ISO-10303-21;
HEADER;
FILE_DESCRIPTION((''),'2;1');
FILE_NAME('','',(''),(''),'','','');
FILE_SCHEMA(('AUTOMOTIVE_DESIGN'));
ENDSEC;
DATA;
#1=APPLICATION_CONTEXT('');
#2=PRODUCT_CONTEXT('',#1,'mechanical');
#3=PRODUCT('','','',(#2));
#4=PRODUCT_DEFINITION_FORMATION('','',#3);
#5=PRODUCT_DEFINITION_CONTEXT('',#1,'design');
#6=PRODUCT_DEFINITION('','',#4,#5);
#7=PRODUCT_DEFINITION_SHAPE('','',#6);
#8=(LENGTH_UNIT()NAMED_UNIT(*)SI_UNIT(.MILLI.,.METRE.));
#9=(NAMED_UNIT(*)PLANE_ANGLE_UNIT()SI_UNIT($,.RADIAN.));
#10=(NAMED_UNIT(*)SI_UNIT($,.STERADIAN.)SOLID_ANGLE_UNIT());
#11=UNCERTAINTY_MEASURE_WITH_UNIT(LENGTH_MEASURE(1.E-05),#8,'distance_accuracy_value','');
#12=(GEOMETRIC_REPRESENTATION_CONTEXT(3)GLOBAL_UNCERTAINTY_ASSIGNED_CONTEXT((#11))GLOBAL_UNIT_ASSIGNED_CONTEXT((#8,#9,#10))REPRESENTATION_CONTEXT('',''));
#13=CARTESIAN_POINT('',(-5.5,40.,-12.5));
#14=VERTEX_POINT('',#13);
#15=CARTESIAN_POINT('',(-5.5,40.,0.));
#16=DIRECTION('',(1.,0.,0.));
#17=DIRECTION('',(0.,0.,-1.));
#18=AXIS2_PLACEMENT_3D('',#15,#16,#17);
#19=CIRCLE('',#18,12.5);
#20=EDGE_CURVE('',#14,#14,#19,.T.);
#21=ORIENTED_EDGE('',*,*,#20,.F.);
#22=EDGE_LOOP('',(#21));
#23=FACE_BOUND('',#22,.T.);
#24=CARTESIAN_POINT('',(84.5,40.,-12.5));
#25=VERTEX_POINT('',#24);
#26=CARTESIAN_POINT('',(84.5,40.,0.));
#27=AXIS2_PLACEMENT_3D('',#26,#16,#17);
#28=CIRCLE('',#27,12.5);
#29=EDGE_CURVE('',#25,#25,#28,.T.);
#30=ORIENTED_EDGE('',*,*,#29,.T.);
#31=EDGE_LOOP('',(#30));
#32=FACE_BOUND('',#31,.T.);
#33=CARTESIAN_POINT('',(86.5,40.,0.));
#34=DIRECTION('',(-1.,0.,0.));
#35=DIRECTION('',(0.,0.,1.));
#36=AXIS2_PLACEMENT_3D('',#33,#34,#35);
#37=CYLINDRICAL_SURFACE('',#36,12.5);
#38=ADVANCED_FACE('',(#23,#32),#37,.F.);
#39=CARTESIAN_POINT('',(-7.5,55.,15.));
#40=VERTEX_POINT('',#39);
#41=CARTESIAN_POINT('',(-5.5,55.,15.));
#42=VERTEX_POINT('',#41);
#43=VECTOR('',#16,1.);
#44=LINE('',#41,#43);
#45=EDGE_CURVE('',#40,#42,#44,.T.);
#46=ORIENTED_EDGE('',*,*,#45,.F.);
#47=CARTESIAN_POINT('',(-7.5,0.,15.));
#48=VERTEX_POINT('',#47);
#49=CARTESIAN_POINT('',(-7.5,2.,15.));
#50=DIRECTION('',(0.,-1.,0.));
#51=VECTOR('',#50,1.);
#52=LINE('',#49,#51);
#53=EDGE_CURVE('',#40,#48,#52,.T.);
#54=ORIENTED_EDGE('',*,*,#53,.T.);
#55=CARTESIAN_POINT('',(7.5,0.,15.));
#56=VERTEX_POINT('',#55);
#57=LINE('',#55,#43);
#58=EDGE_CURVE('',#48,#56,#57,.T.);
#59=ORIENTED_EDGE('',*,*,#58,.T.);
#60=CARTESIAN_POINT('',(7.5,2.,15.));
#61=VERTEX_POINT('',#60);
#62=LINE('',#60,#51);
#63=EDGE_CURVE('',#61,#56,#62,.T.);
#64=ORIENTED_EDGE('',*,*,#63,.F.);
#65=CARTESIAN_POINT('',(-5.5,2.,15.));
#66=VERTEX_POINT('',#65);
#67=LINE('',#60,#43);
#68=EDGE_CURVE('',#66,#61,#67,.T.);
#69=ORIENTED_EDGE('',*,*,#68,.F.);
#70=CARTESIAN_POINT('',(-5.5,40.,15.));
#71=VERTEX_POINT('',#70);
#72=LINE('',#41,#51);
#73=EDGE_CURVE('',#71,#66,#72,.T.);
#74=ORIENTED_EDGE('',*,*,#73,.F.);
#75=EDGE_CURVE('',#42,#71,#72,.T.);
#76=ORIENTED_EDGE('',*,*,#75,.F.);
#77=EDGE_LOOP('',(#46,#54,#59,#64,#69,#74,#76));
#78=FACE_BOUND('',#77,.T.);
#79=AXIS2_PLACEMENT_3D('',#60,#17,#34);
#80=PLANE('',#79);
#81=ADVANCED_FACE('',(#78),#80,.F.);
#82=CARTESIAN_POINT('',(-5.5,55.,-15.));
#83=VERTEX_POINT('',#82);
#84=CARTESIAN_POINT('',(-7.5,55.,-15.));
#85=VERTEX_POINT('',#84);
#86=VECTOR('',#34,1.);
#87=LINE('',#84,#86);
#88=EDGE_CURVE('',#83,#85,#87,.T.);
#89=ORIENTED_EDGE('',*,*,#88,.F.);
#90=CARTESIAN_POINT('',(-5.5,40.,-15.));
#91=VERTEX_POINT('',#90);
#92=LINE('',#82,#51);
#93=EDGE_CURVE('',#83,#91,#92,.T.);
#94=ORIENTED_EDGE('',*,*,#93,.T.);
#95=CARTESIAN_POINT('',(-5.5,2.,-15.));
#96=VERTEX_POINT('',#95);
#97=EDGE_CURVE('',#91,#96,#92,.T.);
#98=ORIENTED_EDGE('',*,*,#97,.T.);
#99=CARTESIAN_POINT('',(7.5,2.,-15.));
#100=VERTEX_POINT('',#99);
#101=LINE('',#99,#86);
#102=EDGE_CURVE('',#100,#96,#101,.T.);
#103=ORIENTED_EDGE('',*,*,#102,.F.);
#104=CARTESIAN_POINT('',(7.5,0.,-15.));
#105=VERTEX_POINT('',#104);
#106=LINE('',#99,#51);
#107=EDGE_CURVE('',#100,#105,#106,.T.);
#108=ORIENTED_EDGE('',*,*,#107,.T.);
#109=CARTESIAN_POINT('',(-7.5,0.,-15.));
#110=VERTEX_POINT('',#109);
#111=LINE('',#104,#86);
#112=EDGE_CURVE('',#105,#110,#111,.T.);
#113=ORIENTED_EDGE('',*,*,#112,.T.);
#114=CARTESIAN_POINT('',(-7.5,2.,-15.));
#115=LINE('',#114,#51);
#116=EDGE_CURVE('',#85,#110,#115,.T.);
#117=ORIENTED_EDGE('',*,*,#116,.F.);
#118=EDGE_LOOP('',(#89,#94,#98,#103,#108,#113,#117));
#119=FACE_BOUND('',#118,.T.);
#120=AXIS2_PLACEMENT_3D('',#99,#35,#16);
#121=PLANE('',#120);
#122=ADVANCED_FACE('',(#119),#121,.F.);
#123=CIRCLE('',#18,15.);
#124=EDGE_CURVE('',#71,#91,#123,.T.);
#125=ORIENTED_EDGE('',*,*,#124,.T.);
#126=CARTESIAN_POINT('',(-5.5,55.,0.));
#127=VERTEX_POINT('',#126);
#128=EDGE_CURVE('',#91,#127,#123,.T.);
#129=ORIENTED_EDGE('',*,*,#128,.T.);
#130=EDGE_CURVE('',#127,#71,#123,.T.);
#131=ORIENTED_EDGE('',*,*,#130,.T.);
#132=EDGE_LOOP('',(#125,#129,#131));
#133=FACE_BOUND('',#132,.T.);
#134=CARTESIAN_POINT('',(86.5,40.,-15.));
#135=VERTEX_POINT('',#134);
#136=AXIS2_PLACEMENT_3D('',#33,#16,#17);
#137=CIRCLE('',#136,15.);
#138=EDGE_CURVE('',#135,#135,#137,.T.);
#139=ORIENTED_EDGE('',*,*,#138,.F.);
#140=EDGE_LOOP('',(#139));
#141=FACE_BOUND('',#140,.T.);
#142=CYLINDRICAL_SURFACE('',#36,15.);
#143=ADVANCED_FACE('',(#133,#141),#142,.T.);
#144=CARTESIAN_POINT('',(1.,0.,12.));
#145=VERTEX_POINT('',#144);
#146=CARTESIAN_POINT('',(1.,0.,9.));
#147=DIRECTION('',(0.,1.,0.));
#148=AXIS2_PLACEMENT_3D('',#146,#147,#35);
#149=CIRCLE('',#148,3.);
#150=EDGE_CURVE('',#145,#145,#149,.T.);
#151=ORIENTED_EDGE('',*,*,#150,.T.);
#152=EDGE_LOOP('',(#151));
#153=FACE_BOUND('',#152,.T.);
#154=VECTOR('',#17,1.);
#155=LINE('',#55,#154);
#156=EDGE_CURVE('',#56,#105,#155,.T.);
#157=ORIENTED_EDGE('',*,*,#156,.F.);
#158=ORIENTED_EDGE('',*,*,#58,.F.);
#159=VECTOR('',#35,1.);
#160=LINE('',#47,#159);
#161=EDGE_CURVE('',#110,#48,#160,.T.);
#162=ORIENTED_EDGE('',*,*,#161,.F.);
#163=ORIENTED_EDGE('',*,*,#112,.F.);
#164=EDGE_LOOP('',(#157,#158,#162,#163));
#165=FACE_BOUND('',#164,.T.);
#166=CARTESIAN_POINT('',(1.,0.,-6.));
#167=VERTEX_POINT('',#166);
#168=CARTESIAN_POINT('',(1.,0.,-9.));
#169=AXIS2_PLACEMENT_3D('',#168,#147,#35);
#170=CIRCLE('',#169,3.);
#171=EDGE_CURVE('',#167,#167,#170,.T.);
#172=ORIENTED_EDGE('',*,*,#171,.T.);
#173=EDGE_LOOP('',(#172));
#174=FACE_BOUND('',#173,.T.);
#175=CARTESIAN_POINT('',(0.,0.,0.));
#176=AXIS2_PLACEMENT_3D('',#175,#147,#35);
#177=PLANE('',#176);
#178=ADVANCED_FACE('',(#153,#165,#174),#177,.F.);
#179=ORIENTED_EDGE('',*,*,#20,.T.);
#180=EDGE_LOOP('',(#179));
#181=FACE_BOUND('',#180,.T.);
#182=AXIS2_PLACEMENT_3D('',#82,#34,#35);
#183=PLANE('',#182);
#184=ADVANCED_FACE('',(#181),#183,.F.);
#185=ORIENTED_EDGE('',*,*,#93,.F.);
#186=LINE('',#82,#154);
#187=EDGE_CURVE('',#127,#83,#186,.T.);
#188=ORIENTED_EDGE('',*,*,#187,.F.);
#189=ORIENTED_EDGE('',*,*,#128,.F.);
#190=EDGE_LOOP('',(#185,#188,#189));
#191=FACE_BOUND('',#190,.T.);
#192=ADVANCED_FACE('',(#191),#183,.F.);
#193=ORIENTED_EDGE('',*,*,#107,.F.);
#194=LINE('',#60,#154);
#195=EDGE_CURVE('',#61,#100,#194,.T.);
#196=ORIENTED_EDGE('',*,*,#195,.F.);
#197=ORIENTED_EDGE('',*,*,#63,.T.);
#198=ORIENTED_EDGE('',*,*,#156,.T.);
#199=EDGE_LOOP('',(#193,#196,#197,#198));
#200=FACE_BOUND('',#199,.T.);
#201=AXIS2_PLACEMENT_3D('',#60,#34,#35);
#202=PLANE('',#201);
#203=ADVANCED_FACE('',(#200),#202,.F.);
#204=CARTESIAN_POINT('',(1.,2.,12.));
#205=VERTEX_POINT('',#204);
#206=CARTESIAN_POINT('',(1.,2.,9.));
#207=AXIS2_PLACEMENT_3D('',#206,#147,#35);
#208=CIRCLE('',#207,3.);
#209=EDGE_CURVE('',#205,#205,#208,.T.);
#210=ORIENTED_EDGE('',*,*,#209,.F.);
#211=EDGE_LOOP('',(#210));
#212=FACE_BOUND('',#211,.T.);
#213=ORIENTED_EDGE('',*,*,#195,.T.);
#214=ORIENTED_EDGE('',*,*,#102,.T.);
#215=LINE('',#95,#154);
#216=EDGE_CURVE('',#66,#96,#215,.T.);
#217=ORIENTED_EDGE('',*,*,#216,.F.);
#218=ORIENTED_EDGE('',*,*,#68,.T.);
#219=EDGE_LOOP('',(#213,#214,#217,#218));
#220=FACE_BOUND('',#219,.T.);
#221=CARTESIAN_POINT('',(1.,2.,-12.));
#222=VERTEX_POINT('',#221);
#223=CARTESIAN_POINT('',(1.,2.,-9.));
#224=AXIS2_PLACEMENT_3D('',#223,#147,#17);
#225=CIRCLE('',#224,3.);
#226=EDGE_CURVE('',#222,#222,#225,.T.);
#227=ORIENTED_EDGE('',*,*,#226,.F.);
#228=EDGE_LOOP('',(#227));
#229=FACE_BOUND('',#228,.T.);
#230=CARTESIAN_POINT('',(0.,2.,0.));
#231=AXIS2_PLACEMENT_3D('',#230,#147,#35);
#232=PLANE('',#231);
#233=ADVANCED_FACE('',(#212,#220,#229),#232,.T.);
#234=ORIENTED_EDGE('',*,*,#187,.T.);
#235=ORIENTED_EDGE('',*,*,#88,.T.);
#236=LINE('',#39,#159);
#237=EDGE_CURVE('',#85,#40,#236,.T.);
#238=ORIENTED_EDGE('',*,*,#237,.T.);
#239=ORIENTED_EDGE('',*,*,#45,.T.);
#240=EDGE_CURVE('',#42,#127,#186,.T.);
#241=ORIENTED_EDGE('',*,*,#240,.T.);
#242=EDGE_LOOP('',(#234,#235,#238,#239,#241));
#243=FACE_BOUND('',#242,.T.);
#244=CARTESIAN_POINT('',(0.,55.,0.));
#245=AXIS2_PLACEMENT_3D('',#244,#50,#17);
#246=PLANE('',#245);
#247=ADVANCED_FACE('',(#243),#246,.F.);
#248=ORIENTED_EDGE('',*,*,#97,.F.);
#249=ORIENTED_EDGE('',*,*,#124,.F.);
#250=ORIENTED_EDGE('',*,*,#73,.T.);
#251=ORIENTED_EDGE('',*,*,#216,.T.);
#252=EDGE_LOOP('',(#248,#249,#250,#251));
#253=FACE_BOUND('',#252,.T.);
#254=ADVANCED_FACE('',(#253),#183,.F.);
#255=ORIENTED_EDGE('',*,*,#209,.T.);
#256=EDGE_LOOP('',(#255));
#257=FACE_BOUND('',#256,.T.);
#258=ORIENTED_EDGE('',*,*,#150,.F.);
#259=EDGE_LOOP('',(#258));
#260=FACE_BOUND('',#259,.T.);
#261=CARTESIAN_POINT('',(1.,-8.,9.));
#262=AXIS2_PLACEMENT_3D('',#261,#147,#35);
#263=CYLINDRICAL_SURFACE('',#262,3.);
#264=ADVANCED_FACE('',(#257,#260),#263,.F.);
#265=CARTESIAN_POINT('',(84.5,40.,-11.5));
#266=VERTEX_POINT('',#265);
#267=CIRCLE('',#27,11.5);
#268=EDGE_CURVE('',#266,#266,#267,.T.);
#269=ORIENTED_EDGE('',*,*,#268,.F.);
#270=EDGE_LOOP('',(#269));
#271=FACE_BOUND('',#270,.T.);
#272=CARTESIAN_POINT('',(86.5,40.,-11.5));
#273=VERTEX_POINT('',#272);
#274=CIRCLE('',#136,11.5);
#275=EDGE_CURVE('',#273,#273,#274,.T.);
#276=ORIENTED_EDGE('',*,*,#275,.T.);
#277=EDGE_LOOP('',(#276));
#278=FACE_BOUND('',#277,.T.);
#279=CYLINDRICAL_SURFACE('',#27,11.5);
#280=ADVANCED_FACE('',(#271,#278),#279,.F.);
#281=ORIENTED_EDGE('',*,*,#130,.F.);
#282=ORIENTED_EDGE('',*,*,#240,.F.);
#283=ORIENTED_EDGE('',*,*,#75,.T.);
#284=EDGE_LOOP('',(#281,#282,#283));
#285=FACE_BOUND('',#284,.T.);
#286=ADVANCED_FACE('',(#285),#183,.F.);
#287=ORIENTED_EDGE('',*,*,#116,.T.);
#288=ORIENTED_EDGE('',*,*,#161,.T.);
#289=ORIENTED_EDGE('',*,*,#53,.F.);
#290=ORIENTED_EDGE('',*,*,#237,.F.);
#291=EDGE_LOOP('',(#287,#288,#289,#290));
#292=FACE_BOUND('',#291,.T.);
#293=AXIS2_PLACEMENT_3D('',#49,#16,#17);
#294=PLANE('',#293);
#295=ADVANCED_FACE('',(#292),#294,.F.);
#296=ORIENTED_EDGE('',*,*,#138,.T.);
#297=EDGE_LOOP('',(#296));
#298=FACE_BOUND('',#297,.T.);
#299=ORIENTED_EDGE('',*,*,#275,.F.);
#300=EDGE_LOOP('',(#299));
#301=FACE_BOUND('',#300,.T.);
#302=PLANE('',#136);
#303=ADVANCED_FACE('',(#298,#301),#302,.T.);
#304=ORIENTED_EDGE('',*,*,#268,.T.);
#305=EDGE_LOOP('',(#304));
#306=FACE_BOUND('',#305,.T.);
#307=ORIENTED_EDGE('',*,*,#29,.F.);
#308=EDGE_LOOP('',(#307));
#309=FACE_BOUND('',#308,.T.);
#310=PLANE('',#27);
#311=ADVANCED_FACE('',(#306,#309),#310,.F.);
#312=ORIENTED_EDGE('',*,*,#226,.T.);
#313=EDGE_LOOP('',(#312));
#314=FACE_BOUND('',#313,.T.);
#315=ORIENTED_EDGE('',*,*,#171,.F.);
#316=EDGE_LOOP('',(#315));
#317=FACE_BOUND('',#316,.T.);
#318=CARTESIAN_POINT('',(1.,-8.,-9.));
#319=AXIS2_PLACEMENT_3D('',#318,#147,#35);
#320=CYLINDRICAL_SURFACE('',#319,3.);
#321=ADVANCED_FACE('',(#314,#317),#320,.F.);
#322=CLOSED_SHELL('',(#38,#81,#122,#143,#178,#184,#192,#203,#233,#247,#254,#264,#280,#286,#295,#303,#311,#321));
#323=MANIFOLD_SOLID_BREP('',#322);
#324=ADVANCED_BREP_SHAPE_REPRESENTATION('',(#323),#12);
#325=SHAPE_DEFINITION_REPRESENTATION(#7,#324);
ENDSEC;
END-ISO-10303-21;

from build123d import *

# Parameters (mm, degrees)
SKETCH1_W           = 15
SKETCH1_H           = 30
BOSS_EXTRUDE1_DEPTH = 2
SKETCH2_W           = 2
SKETCH2_H           = 30
BOSS_EXTRUDE2_DEPTH = 53
SKETCH3_R           = 15
SKETCH3_R_2         = 12.5
BOSS_EXTRUDE3_DEPTH = 92
BOSS_EXTRUDE4_START = -2
SKETCH4_R           = 12.5
SKETCH4_R_2         = 11.5
BOSS_EXTRUDE4_DEPTH = 2
SKETCH7_R           = 3
CUT_EXTRUDE1_DEPTH  = 10


with BuildPart() as part:
    # Sketch1 → Boss-Extrude1 (new body)
    with BuildSketch(Plane(origin=(0, 0, 0), x_dir=(1, 0, 0), z_dir=(0, 1, 0))):
        Rectangle(SKETCH1_W, SKETCH1_H)
    extrude(amount=BOSS_EXTRUDE1_DEPTH)

    # Sketch2 → Boss-Extrude2 (add)
    with BuildSketch(Plane(origin=(0, 2, 0), x_dir=(1, 0, 0), z_dir=(0, 1, 0))):
        with Locations((-6.5, 0)):
            Rectangle(SKETCH2_W, SKETCH2_H)
    extrude(amount=BOSS_EXTRUDE2_DEPTH)

    # Sketch3 → Boss-Extrude3 (add)
    with BuildSketch(Plane(origin=(-5.5, 0, 0), x_dir=(0, 0, -1), z_dir=(1, 0, 0))):
        with Locations((0, 40)):
            Circle(SKETCH3_R)
        with Locations((0, 40)):
            Circle(SKETCH3_R_2, mode=Mode.SUBTRACT)
    extrude(amount=BOSS_EXTRUDE3_DEPTH)

    # Sketch4 → Boss-Extrude4 (add)
    with BuildSketch(Plane(origin=(86.5, 0, 0), x_dir=(0, 0, -1), z_dir=(1, 0, 0)).offset(BOSS_EXTRUDE4_START)):
        with Locations((0, 40)):
            Circle(SKETCH4_R)
        with Locations((0, 40)):
            Circle(SKETCH4_R_2, mode=Mode.SUBTRACT)
    extrude(amount=BOSS_EXTRUDE4_DEPTH)

    # Sketch7 → Cut-Extrude1 (cut)
    with BuildSketch(Plane(origin=(0, 2, 0), x_dir=(1, 0, 0), z_dir=(0, 1, 0))):
        with Locations(Location((1, -9, 0), (0, 0, 270))):
            Circle(SKETCH7_R)
        with Locations(Location((1, 9, 0), (0, 0, 270))):
            Circle(SKETCH7_R)
    extrude(amount=-CUT_EXTRUDE1_DEPTH, mode=Mode.SUBTRACT)


solid = part.part
